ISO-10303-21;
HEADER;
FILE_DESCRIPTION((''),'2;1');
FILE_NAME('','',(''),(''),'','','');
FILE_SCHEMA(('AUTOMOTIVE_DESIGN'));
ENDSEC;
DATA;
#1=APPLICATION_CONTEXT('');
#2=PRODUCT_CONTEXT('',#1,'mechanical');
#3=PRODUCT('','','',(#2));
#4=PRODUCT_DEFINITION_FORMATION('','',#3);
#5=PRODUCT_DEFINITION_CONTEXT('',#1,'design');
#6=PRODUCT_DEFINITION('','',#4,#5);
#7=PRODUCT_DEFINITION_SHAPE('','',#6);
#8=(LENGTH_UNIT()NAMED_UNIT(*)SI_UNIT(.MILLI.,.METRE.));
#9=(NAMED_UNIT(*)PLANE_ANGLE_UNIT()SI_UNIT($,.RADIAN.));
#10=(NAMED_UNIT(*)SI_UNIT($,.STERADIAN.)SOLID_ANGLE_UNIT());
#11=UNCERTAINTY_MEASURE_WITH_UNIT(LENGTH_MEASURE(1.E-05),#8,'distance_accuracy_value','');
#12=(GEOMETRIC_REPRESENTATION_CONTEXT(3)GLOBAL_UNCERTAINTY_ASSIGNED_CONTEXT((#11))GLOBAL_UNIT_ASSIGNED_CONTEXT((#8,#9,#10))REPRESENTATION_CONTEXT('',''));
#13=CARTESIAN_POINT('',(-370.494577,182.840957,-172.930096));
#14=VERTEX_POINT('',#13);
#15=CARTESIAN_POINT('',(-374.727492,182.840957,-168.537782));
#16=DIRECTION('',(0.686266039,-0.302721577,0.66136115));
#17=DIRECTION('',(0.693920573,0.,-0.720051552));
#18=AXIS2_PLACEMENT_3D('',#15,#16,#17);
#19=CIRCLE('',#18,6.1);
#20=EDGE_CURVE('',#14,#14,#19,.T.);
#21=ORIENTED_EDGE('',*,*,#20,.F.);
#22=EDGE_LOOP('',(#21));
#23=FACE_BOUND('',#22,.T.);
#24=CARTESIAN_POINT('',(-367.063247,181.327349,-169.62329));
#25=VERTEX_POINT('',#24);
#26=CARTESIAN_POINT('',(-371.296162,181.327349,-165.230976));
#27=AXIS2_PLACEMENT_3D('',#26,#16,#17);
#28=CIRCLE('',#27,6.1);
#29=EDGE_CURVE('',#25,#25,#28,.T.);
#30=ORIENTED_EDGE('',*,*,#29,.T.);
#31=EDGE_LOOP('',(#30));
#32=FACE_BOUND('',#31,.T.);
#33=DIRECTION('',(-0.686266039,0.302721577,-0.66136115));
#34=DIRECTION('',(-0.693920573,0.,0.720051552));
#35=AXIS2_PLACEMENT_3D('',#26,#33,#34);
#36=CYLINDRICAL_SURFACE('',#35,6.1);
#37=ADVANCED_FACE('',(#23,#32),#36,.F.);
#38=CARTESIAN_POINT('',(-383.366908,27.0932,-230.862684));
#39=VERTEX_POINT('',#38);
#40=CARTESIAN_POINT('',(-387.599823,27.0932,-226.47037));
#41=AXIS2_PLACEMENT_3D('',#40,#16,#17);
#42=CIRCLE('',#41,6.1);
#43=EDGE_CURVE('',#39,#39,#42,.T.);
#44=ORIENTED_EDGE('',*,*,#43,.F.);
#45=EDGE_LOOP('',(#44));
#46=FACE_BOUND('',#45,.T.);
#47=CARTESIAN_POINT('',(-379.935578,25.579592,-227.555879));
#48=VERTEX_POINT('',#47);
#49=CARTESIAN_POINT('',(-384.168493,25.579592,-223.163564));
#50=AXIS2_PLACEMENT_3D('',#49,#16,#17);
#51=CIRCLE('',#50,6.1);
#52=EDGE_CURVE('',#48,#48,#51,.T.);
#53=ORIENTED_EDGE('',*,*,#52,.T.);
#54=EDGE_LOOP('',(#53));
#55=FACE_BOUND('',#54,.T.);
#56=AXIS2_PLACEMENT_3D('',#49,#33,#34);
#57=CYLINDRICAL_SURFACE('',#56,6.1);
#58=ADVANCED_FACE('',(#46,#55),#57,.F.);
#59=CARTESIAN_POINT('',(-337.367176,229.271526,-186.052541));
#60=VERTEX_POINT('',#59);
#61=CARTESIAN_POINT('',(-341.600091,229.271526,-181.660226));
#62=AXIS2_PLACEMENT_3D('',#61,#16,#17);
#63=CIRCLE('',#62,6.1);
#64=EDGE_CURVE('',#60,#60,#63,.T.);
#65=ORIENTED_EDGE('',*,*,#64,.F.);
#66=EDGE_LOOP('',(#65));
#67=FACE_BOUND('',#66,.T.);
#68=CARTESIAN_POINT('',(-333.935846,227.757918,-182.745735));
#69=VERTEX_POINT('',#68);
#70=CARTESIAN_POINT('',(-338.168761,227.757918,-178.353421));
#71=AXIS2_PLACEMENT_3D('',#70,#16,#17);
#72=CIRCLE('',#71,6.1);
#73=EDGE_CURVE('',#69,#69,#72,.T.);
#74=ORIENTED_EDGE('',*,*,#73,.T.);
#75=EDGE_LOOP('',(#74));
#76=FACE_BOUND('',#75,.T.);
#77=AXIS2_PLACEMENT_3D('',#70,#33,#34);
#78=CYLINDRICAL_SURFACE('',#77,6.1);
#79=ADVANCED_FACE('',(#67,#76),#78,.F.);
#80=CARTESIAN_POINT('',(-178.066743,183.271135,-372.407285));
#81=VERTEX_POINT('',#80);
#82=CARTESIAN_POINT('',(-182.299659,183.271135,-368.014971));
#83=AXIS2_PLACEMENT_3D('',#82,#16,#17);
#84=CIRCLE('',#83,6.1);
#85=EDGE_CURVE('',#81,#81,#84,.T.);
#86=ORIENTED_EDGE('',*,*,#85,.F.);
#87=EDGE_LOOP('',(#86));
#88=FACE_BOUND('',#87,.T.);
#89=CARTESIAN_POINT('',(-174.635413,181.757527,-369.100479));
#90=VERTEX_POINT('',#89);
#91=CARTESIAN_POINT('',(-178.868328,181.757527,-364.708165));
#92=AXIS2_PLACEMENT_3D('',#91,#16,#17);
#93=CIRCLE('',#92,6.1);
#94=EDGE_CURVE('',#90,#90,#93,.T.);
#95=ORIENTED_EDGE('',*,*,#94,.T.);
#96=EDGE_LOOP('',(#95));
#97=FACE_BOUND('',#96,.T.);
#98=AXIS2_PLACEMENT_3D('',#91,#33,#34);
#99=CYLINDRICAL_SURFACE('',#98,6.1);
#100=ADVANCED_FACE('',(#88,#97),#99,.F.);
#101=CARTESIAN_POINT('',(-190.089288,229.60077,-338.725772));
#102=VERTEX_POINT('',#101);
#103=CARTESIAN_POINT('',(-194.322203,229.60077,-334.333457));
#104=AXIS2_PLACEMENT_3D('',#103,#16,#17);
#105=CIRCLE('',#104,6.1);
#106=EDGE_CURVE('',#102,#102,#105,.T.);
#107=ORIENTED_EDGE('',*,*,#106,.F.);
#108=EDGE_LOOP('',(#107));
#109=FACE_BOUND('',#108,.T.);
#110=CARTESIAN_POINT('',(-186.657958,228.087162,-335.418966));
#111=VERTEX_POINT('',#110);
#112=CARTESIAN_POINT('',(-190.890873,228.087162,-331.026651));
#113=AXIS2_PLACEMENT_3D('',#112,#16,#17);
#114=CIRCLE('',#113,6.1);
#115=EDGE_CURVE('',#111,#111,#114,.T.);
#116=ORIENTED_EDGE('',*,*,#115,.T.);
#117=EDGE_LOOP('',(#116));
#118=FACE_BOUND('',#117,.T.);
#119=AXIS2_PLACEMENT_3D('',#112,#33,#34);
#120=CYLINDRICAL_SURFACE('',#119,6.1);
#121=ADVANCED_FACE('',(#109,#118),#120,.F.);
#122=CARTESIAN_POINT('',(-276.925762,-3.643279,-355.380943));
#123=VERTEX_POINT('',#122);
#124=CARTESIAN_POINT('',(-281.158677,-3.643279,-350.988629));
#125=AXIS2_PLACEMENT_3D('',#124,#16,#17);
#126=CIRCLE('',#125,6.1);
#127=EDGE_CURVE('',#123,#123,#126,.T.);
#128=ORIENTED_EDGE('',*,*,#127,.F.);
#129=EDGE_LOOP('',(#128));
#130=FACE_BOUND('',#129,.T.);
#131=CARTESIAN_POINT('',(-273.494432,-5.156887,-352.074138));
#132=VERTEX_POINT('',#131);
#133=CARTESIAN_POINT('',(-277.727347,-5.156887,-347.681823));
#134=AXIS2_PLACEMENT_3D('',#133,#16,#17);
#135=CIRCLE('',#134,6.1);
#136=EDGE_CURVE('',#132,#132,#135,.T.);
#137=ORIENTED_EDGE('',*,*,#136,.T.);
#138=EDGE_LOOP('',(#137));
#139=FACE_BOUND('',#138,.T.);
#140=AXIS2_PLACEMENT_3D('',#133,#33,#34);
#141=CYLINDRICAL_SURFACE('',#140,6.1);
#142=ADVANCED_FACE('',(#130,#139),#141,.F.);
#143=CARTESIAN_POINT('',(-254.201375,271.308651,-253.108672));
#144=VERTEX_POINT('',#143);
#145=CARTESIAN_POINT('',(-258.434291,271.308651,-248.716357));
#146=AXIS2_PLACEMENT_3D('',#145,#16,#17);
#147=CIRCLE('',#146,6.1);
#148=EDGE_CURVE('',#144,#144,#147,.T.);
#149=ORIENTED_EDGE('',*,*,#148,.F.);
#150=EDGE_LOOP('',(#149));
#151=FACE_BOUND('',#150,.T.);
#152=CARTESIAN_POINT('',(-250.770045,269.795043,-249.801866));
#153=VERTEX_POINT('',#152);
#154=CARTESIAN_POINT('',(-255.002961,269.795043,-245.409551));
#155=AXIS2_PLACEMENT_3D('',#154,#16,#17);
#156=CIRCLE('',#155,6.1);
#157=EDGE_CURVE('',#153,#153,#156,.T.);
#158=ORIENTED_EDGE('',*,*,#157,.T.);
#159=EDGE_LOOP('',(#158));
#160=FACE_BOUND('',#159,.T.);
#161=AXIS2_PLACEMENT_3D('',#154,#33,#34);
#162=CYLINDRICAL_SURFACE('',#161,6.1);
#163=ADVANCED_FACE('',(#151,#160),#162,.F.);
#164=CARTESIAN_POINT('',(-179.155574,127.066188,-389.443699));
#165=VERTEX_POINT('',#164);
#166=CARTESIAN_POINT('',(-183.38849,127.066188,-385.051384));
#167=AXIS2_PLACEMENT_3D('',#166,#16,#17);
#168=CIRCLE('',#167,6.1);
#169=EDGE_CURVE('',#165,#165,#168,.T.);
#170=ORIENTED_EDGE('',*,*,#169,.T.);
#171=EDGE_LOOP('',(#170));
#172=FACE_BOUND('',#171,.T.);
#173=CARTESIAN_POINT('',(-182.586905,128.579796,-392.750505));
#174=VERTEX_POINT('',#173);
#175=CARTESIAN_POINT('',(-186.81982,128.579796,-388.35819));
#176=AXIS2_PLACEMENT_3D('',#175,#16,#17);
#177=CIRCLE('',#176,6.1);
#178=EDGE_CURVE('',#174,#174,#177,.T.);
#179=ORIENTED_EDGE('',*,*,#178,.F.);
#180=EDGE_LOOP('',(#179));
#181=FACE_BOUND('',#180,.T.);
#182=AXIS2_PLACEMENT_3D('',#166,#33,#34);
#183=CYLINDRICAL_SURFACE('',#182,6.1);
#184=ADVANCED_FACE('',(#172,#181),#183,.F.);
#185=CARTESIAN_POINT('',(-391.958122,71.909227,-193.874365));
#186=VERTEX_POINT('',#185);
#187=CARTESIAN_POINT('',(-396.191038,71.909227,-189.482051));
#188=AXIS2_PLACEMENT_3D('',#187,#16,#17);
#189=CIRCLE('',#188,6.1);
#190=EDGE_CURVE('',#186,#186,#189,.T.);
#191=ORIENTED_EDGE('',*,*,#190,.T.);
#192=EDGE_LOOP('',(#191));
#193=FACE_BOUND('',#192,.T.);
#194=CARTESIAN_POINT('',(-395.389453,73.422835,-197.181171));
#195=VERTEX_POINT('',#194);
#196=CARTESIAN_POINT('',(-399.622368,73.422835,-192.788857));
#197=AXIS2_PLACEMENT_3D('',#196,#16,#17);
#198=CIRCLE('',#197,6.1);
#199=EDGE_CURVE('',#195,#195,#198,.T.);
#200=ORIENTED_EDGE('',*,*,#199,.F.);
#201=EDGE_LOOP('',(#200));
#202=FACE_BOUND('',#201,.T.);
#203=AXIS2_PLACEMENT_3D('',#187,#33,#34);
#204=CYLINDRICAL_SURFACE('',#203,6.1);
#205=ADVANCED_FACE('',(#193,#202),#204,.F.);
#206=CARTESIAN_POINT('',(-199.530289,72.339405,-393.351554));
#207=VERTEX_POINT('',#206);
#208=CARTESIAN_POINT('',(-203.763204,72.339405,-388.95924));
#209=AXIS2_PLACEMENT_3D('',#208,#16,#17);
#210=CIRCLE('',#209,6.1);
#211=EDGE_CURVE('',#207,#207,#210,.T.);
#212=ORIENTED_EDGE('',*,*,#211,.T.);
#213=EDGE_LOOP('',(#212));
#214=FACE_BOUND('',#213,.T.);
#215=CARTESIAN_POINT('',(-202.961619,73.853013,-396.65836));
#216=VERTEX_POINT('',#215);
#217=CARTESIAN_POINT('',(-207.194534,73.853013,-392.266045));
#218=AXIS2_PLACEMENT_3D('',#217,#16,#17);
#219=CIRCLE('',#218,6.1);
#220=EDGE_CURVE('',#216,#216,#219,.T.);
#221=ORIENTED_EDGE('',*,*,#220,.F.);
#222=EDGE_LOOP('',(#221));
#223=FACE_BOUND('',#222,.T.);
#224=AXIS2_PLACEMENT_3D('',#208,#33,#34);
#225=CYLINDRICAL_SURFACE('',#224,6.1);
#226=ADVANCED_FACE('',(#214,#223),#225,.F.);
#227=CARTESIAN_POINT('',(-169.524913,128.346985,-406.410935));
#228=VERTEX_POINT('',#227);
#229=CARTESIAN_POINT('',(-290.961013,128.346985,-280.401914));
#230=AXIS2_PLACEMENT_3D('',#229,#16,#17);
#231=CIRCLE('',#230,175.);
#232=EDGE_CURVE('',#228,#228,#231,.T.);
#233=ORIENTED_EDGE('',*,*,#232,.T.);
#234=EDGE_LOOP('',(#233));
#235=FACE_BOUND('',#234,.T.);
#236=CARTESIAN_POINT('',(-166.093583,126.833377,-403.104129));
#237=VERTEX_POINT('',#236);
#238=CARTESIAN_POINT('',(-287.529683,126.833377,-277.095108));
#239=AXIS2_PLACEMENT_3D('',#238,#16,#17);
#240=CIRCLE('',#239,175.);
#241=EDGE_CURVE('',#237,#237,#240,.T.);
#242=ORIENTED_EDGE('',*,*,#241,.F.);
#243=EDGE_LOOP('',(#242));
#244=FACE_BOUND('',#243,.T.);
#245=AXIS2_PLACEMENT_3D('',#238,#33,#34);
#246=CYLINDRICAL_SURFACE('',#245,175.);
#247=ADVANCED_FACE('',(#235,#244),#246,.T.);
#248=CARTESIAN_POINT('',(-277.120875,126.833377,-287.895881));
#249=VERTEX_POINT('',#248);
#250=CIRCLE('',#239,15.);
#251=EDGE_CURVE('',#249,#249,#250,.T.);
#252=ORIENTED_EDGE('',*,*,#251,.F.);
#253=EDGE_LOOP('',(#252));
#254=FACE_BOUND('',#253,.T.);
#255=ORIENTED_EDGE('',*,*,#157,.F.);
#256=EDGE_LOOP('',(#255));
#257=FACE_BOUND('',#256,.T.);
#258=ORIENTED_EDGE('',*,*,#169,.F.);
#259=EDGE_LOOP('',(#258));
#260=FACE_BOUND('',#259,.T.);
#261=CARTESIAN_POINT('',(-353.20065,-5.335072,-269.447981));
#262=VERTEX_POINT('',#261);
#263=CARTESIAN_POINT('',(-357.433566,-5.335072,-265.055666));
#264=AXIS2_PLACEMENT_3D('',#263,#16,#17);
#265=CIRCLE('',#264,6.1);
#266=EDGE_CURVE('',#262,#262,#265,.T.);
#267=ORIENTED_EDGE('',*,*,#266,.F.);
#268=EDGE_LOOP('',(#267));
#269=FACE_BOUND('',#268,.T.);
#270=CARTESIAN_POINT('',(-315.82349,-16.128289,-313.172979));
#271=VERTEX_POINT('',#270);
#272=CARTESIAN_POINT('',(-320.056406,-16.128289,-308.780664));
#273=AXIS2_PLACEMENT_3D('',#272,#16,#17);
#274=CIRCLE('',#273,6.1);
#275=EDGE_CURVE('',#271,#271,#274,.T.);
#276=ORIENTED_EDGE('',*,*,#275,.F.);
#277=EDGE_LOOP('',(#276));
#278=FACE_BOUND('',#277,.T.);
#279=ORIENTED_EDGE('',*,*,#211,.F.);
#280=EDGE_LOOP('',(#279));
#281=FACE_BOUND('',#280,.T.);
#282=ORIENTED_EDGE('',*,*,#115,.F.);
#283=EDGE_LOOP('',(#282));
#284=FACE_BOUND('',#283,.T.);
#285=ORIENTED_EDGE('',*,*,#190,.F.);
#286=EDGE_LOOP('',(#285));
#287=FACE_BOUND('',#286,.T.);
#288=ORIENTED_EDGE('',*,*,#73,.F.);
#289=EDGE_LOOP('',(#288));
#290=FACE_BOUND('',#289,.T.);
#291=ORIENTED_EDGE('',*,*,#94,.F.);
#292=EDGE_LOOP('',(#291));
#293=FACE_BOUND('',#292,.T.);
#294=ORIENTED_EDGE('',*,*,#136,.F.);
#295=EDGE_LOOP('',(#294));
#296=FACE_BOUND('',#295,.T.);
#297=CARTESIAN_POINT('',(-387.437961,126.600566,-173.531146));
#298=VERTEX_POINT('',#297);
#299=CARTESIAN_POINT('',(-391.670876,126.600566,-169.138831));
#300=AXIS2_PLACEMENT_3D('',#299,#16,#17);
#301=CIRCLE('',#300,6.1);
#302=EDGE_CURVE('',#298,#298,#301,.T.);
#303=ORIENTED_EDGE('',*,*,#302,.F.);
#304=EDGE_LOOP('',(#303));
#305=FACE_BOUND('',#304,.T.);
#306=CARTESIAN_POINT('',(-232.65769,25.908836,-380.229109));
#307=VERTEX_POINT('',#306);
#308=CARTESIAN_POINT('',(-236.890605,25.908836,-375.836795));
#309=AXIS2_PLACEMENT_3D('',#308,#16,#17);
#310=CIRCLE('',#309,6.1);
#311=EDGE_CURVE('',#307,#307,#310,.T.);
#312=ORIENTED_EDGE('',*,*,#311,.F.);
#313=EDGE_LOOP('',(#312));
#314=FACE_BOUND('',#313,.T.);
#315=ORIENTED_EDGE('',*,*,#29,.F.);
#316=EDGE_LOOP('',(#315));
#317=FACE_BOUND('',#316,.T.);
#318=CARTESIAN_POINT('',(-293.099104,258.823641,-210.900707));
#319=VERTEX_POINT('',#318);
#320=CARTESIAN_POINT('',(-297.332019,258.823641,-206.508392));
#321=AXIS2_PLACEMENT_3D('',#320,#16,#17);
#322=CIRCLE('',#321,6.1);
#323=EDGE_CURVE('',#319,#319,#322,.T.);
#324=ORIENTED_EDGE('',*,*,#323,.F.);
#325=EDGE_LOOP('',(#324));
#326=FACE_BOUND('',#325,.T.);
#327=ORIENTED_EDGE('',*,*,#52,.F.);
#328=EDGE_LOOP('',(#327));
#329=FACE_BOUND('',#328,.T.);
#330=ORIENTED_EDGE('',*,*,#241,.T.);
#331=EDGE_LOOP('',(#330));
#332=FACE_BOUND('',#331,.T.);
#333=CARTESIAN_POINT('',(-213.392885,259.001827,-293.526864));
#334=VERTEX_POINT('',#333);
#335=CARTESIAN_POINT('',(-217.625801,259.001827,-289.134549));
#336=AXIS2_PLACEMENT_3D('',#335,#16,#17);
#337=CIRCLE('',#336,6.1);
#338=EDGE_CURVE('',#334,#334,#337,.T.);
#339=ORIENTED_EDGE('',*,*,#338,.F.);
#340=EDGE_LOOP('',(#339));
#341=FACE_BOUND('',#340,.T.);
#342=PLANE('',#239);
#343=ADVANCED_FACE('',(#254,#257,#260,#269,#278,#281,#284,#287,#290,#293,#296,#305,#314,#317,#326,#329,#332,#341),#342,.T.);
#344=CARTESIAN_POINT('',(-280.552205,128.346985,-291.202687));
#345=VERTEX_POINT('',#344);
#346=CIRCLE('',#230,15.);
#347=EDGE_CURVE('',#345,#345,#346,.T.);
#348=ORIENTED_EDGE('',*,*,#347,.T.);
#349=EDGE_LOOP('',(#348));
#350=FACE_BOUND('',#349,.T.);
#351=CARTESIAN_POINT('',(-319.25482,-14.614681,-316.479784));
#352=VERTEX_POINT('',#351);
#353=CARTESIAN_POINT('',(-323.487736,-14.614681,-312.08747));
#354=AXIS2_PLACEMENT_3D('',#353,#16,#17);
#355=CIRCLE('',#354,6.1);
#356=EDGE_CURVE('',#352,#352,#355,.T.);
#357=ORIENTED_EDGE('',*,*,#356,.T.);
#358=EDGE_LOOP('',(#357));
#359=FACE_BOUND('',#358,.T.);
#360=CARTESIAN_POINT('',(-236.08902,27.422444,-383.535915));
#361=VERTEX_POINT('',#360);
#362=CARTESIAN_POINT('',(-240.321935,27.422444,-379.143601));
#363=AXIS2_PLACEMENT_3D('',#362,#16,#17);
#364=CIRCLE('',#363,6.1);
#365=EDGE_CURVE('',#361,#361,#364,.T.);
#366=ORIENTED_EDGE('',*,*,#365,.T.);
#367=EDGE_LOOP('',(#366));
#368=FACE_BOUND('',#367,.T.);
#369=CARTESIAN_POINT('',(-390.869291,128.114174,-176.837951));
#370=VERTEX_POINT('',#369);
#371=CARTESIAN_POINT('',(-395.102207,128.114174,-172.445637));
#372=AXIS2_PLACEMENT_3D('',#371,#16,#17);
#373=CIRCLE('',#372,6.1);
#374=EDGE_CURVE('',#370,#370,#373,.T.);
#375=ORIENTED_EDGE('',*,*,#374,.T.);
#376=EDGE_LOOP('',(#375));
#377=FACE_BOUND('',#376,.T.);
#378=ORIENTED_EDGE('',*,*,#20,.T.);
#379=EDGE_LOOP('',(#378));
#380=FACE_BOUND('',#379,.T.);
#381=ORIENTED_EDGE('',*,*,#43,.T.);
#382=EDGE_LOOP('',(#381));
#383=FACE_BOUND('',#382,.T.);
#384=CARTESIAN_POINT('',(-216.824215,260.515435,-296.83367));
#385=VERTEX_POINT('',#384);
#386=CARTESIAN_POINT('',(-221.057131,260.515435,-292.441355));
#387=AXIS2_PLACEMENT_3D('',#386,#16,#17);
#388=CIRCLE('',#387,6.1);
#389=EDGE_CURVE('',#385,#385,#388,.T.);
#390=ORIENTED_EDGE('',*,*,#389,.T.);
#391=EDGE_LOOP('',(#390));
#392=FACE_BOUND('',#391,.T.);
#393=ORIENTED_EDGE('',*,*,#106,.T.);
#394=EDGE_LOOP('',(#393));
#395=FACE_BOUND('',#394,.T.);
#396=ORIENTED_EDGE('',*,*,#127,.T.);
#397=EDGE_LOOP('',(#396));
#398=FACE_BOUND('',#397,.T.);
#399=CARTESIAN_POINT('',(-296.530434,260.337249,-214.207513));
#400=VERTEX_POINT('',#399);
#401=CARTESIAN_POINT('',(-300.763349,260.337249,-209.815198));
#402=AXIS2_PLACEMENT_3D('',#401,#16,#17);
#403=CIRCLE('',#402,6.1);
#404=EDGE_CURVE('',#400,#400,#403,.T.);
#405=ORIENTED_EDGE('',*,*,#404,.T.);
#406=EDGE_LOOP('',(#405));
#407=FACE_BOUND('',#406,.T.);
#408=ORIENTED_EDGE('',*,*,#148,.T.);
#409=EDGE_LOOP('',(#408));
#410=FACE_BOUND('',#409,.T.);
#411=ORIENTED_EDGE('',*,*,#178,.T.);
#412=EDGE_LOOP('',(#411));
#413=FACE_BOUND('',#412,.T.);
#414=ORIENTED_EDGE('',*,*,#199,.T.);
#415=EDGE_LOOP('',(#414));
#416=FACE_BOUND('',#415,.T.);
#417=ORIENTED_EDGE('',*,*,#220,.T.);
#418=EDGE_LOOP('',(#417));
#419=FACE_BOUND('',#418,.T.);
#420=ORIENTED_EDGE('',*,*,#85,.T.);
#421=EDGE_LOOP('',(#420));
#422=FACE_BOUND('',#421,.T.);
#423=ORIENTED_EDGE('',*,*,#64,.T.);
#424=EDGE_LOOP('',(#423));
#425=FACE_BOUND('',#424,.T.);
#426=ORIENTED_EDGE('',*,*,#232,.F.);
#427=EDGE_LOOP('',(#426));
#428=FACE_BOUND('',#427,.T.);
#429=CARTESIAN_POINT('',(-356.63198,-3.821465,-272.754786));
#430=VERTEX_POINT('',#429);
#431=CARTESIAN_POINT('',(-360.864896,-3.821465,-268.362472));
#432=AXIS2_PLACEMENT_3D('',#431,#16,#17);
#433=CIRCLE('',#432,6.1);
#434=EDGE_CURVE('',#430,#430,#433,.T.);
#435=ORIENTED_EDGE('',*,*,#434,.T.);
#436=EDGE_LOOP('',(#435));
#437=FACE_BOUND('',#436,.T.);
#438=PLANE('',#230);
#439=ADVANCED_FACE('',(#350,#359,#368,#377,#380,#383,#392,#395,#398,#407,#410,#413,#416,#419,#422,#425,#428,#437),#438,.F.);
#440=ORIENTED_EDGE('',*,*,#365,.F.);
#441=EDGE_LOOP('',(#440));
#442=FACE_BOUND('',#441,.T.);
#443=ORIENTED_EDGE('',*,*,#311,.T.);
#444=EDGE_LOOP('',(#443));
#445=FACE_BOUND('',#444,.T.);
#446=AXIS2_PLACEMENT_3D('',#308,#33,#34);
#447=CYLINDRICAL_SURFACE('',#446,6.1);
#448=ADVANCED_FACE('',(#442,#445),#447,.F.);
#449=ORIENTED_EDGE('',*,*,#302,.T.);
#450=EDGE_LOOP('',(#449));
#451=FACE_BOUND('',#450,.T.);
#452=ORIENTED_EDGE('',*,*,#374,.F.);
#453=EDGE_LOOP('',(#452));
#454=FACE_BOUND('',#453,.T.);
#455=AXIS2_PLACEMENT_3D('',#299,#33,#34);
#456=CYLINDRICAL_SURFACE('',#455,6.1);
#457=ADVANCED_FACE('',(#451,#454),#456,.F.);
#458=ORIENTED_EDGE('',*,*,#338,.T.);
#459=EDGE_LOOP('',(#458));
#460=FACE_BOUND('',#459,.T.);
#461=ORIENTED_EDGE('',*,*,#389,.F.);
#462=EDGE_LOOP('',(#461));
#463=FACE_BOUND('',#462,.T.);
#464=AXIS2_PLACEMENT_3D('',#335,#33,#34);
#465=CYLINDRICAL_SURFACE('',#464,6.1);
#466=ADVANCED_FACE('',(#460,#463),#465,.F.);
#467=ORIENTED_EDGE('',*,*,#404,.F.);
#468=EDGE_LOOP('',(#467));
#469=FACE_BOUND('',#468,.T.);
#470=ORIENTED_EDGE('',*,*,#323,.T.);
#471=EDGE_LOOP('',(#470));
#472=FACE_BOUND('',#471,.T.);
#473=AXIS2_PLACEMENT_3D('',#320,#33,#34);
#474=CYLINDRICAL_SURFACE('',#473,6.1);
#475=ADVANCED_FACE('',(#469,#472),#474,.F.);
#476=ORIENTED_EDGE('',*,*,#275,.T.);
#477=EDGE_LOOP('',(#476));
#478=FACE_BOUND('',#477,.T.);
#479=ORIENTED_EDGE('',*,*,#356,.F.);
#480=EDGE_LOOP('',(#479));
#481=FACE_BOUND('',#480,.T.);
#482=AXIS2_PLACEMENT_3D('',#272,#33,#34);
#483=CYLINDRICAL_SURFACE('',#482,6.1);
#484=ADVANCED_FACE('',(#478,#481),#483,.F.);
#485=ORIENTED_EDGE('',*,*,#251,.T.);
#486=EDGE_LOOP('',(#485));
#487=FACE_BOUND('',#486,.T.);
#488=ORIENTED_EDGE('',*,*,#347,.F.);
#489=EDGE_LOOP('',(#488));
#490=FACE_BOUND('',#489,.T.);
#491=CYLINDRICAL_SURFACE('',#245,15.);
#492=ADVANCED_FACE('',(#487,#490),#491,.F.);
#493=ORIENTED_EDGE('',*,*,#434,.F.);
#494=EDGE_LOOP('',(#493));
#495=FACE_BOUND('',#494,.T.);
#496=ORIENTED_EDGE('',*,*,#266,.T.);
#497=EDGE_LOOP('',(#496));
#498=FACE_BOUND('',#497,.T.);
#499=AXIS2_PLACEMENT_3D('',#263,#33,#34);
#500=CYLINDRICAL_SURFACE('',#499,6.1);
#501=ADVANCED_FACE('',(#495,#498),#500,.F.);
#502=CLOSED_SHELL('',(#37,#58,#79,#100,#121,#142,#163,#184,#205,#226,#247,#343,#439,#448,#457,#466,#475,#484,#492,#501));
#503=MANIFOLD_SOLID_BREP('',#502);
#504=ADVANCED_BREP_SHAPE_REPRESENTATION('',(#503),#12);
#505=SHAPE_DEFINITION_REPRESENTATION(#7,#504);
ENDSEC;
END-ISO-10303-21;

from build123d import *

# Parameters (mm, degrees)
SKETCH2_R           = 175
SKETCH2_R_2         = 15
SKETCH2_R_3         = 6.1
BOSS_EXTRUDE1_DEPTH = 5


with BuildPart() as part:
    # Sketch2 → Boss-Extrude1 (new body)
    with BuildSketch(Plane(origin=(-290.961013368, 128.346984984, -280.401913549), x_dir=(0.6169187616524279, -0.2394039589976409, -0.7497312758165361), z_dir=(0.6862660385896976, -0.3027215774715836, 0.6613611500621426))):
        with Locations(Location((0, 0, 0), (0, 0, 14.547943675))):
            Circle(SKETCH2_R)
        with Locations(Location((0, 0, 0), (0, 0, 14.547943675))):
            Circle(SKETCH2_R_2, mode=Mode.SUBTRACT)
        with Locations(Location((-75.811902912, -129.431662961, 0), (0, 0, 14.547943675))):
            Circle(SKETCH2_R_3, mode=Mode.SUBTRACT)
        with Locations(Location((-119.57241846, -90.567305048, 0), (0, 0, 14.547943675))):
            Circle(SKETCH2_R_3, mode=Mode.SUBTRACT)
        with Locations(Location((-145.129117224, -37.914895936, 0), (0, 0, 14.547943675))):
            Circle(SKETCH2_R_3, mode=Mode.SUBTRACT)
        with Locations(Location((-148.591223489, 20.509712382, 0), (0, 0, 14.547943675))):
            Circle(SKETCH2_R_3, mode=Mode.SUBTRACT)
        with Locations(Location((-129.431662961, 75.811902912, 0), (0, 0, 14.547943675))):
            Circle(SKETCH2_R_3, mode=Mode.SUBTRACT)
        with Locations(Location((-90.567305048, 119.57241846, 0), (0, 0, 14.547943675))):
            Circle(SKETCH2_R_3, mode=Mode.SUBTRACT)
        with Locations(Location((-37.914895936, 145.129117224, 0), (0, 0, 14.547943675))):
            Circle(SKETCH2_R_3, mode=Mode.SUBTRACT)
        with Locations(Location((20.509712382, 148.591223489, 0), (0, 0, 14.547943675))):
            Circle(SKETCH2_R_3, mode=Mode.SUBTRACT)
        with Locations(Location((75.811902912, 129.431662961, 0), (0, 0, 14.547943675))):
            Circle(SKETCH2_R_3, mode=Mode.SUBTRACT)
        with Locations(Location((119.57241846, 90.567305048, 0), (0, 0, 14.547943675))):
            Circle(SKETCH2_R_3, mode=Mode.SUBTRACT)
        with Locations(Location((145.129117224, 37.914895936, 0), (0, 0, 14.547943675))):
            Circle(SKETCH2_R_3, mode=Mode.SUBTRACT)
        with Locations(Location((148.591223489, -20.509712382, 0), (0, 0, 14.547943675))):
            Circle(SKETCH2_R_3, mode=Mode.SUBTRACT)
        with Locations(Location((129.431662961, -75.811902912, 0), (0, 0, 14.547943675))):
            Circle(SKETCH2_R_3, mode=Mode.SUBTRACT)
        with Locations(Location((90.567305048, -119.57241846, 0), (0, 0, 14.547943675))):
            Circle(SKETCH2_R_3, mode=Mode.SUBTRACT)
        with Locations(Location((37.914895936, -145.129117224, 0), (0, 0, 14.547943675))):
            Circle(SKETCH2_R_3, mode=Mode.SUBTRACT)
        with Locations(Location((-20.509712382, -148.591223489, 0), (0, 0, 14.547943675))):
            Circle(SKETCH2_R_3, mode=Mode.SUBTRACT)
    extrude(amount=BOSS_EXTRUDE1_DEPTH)


solid = part.part
